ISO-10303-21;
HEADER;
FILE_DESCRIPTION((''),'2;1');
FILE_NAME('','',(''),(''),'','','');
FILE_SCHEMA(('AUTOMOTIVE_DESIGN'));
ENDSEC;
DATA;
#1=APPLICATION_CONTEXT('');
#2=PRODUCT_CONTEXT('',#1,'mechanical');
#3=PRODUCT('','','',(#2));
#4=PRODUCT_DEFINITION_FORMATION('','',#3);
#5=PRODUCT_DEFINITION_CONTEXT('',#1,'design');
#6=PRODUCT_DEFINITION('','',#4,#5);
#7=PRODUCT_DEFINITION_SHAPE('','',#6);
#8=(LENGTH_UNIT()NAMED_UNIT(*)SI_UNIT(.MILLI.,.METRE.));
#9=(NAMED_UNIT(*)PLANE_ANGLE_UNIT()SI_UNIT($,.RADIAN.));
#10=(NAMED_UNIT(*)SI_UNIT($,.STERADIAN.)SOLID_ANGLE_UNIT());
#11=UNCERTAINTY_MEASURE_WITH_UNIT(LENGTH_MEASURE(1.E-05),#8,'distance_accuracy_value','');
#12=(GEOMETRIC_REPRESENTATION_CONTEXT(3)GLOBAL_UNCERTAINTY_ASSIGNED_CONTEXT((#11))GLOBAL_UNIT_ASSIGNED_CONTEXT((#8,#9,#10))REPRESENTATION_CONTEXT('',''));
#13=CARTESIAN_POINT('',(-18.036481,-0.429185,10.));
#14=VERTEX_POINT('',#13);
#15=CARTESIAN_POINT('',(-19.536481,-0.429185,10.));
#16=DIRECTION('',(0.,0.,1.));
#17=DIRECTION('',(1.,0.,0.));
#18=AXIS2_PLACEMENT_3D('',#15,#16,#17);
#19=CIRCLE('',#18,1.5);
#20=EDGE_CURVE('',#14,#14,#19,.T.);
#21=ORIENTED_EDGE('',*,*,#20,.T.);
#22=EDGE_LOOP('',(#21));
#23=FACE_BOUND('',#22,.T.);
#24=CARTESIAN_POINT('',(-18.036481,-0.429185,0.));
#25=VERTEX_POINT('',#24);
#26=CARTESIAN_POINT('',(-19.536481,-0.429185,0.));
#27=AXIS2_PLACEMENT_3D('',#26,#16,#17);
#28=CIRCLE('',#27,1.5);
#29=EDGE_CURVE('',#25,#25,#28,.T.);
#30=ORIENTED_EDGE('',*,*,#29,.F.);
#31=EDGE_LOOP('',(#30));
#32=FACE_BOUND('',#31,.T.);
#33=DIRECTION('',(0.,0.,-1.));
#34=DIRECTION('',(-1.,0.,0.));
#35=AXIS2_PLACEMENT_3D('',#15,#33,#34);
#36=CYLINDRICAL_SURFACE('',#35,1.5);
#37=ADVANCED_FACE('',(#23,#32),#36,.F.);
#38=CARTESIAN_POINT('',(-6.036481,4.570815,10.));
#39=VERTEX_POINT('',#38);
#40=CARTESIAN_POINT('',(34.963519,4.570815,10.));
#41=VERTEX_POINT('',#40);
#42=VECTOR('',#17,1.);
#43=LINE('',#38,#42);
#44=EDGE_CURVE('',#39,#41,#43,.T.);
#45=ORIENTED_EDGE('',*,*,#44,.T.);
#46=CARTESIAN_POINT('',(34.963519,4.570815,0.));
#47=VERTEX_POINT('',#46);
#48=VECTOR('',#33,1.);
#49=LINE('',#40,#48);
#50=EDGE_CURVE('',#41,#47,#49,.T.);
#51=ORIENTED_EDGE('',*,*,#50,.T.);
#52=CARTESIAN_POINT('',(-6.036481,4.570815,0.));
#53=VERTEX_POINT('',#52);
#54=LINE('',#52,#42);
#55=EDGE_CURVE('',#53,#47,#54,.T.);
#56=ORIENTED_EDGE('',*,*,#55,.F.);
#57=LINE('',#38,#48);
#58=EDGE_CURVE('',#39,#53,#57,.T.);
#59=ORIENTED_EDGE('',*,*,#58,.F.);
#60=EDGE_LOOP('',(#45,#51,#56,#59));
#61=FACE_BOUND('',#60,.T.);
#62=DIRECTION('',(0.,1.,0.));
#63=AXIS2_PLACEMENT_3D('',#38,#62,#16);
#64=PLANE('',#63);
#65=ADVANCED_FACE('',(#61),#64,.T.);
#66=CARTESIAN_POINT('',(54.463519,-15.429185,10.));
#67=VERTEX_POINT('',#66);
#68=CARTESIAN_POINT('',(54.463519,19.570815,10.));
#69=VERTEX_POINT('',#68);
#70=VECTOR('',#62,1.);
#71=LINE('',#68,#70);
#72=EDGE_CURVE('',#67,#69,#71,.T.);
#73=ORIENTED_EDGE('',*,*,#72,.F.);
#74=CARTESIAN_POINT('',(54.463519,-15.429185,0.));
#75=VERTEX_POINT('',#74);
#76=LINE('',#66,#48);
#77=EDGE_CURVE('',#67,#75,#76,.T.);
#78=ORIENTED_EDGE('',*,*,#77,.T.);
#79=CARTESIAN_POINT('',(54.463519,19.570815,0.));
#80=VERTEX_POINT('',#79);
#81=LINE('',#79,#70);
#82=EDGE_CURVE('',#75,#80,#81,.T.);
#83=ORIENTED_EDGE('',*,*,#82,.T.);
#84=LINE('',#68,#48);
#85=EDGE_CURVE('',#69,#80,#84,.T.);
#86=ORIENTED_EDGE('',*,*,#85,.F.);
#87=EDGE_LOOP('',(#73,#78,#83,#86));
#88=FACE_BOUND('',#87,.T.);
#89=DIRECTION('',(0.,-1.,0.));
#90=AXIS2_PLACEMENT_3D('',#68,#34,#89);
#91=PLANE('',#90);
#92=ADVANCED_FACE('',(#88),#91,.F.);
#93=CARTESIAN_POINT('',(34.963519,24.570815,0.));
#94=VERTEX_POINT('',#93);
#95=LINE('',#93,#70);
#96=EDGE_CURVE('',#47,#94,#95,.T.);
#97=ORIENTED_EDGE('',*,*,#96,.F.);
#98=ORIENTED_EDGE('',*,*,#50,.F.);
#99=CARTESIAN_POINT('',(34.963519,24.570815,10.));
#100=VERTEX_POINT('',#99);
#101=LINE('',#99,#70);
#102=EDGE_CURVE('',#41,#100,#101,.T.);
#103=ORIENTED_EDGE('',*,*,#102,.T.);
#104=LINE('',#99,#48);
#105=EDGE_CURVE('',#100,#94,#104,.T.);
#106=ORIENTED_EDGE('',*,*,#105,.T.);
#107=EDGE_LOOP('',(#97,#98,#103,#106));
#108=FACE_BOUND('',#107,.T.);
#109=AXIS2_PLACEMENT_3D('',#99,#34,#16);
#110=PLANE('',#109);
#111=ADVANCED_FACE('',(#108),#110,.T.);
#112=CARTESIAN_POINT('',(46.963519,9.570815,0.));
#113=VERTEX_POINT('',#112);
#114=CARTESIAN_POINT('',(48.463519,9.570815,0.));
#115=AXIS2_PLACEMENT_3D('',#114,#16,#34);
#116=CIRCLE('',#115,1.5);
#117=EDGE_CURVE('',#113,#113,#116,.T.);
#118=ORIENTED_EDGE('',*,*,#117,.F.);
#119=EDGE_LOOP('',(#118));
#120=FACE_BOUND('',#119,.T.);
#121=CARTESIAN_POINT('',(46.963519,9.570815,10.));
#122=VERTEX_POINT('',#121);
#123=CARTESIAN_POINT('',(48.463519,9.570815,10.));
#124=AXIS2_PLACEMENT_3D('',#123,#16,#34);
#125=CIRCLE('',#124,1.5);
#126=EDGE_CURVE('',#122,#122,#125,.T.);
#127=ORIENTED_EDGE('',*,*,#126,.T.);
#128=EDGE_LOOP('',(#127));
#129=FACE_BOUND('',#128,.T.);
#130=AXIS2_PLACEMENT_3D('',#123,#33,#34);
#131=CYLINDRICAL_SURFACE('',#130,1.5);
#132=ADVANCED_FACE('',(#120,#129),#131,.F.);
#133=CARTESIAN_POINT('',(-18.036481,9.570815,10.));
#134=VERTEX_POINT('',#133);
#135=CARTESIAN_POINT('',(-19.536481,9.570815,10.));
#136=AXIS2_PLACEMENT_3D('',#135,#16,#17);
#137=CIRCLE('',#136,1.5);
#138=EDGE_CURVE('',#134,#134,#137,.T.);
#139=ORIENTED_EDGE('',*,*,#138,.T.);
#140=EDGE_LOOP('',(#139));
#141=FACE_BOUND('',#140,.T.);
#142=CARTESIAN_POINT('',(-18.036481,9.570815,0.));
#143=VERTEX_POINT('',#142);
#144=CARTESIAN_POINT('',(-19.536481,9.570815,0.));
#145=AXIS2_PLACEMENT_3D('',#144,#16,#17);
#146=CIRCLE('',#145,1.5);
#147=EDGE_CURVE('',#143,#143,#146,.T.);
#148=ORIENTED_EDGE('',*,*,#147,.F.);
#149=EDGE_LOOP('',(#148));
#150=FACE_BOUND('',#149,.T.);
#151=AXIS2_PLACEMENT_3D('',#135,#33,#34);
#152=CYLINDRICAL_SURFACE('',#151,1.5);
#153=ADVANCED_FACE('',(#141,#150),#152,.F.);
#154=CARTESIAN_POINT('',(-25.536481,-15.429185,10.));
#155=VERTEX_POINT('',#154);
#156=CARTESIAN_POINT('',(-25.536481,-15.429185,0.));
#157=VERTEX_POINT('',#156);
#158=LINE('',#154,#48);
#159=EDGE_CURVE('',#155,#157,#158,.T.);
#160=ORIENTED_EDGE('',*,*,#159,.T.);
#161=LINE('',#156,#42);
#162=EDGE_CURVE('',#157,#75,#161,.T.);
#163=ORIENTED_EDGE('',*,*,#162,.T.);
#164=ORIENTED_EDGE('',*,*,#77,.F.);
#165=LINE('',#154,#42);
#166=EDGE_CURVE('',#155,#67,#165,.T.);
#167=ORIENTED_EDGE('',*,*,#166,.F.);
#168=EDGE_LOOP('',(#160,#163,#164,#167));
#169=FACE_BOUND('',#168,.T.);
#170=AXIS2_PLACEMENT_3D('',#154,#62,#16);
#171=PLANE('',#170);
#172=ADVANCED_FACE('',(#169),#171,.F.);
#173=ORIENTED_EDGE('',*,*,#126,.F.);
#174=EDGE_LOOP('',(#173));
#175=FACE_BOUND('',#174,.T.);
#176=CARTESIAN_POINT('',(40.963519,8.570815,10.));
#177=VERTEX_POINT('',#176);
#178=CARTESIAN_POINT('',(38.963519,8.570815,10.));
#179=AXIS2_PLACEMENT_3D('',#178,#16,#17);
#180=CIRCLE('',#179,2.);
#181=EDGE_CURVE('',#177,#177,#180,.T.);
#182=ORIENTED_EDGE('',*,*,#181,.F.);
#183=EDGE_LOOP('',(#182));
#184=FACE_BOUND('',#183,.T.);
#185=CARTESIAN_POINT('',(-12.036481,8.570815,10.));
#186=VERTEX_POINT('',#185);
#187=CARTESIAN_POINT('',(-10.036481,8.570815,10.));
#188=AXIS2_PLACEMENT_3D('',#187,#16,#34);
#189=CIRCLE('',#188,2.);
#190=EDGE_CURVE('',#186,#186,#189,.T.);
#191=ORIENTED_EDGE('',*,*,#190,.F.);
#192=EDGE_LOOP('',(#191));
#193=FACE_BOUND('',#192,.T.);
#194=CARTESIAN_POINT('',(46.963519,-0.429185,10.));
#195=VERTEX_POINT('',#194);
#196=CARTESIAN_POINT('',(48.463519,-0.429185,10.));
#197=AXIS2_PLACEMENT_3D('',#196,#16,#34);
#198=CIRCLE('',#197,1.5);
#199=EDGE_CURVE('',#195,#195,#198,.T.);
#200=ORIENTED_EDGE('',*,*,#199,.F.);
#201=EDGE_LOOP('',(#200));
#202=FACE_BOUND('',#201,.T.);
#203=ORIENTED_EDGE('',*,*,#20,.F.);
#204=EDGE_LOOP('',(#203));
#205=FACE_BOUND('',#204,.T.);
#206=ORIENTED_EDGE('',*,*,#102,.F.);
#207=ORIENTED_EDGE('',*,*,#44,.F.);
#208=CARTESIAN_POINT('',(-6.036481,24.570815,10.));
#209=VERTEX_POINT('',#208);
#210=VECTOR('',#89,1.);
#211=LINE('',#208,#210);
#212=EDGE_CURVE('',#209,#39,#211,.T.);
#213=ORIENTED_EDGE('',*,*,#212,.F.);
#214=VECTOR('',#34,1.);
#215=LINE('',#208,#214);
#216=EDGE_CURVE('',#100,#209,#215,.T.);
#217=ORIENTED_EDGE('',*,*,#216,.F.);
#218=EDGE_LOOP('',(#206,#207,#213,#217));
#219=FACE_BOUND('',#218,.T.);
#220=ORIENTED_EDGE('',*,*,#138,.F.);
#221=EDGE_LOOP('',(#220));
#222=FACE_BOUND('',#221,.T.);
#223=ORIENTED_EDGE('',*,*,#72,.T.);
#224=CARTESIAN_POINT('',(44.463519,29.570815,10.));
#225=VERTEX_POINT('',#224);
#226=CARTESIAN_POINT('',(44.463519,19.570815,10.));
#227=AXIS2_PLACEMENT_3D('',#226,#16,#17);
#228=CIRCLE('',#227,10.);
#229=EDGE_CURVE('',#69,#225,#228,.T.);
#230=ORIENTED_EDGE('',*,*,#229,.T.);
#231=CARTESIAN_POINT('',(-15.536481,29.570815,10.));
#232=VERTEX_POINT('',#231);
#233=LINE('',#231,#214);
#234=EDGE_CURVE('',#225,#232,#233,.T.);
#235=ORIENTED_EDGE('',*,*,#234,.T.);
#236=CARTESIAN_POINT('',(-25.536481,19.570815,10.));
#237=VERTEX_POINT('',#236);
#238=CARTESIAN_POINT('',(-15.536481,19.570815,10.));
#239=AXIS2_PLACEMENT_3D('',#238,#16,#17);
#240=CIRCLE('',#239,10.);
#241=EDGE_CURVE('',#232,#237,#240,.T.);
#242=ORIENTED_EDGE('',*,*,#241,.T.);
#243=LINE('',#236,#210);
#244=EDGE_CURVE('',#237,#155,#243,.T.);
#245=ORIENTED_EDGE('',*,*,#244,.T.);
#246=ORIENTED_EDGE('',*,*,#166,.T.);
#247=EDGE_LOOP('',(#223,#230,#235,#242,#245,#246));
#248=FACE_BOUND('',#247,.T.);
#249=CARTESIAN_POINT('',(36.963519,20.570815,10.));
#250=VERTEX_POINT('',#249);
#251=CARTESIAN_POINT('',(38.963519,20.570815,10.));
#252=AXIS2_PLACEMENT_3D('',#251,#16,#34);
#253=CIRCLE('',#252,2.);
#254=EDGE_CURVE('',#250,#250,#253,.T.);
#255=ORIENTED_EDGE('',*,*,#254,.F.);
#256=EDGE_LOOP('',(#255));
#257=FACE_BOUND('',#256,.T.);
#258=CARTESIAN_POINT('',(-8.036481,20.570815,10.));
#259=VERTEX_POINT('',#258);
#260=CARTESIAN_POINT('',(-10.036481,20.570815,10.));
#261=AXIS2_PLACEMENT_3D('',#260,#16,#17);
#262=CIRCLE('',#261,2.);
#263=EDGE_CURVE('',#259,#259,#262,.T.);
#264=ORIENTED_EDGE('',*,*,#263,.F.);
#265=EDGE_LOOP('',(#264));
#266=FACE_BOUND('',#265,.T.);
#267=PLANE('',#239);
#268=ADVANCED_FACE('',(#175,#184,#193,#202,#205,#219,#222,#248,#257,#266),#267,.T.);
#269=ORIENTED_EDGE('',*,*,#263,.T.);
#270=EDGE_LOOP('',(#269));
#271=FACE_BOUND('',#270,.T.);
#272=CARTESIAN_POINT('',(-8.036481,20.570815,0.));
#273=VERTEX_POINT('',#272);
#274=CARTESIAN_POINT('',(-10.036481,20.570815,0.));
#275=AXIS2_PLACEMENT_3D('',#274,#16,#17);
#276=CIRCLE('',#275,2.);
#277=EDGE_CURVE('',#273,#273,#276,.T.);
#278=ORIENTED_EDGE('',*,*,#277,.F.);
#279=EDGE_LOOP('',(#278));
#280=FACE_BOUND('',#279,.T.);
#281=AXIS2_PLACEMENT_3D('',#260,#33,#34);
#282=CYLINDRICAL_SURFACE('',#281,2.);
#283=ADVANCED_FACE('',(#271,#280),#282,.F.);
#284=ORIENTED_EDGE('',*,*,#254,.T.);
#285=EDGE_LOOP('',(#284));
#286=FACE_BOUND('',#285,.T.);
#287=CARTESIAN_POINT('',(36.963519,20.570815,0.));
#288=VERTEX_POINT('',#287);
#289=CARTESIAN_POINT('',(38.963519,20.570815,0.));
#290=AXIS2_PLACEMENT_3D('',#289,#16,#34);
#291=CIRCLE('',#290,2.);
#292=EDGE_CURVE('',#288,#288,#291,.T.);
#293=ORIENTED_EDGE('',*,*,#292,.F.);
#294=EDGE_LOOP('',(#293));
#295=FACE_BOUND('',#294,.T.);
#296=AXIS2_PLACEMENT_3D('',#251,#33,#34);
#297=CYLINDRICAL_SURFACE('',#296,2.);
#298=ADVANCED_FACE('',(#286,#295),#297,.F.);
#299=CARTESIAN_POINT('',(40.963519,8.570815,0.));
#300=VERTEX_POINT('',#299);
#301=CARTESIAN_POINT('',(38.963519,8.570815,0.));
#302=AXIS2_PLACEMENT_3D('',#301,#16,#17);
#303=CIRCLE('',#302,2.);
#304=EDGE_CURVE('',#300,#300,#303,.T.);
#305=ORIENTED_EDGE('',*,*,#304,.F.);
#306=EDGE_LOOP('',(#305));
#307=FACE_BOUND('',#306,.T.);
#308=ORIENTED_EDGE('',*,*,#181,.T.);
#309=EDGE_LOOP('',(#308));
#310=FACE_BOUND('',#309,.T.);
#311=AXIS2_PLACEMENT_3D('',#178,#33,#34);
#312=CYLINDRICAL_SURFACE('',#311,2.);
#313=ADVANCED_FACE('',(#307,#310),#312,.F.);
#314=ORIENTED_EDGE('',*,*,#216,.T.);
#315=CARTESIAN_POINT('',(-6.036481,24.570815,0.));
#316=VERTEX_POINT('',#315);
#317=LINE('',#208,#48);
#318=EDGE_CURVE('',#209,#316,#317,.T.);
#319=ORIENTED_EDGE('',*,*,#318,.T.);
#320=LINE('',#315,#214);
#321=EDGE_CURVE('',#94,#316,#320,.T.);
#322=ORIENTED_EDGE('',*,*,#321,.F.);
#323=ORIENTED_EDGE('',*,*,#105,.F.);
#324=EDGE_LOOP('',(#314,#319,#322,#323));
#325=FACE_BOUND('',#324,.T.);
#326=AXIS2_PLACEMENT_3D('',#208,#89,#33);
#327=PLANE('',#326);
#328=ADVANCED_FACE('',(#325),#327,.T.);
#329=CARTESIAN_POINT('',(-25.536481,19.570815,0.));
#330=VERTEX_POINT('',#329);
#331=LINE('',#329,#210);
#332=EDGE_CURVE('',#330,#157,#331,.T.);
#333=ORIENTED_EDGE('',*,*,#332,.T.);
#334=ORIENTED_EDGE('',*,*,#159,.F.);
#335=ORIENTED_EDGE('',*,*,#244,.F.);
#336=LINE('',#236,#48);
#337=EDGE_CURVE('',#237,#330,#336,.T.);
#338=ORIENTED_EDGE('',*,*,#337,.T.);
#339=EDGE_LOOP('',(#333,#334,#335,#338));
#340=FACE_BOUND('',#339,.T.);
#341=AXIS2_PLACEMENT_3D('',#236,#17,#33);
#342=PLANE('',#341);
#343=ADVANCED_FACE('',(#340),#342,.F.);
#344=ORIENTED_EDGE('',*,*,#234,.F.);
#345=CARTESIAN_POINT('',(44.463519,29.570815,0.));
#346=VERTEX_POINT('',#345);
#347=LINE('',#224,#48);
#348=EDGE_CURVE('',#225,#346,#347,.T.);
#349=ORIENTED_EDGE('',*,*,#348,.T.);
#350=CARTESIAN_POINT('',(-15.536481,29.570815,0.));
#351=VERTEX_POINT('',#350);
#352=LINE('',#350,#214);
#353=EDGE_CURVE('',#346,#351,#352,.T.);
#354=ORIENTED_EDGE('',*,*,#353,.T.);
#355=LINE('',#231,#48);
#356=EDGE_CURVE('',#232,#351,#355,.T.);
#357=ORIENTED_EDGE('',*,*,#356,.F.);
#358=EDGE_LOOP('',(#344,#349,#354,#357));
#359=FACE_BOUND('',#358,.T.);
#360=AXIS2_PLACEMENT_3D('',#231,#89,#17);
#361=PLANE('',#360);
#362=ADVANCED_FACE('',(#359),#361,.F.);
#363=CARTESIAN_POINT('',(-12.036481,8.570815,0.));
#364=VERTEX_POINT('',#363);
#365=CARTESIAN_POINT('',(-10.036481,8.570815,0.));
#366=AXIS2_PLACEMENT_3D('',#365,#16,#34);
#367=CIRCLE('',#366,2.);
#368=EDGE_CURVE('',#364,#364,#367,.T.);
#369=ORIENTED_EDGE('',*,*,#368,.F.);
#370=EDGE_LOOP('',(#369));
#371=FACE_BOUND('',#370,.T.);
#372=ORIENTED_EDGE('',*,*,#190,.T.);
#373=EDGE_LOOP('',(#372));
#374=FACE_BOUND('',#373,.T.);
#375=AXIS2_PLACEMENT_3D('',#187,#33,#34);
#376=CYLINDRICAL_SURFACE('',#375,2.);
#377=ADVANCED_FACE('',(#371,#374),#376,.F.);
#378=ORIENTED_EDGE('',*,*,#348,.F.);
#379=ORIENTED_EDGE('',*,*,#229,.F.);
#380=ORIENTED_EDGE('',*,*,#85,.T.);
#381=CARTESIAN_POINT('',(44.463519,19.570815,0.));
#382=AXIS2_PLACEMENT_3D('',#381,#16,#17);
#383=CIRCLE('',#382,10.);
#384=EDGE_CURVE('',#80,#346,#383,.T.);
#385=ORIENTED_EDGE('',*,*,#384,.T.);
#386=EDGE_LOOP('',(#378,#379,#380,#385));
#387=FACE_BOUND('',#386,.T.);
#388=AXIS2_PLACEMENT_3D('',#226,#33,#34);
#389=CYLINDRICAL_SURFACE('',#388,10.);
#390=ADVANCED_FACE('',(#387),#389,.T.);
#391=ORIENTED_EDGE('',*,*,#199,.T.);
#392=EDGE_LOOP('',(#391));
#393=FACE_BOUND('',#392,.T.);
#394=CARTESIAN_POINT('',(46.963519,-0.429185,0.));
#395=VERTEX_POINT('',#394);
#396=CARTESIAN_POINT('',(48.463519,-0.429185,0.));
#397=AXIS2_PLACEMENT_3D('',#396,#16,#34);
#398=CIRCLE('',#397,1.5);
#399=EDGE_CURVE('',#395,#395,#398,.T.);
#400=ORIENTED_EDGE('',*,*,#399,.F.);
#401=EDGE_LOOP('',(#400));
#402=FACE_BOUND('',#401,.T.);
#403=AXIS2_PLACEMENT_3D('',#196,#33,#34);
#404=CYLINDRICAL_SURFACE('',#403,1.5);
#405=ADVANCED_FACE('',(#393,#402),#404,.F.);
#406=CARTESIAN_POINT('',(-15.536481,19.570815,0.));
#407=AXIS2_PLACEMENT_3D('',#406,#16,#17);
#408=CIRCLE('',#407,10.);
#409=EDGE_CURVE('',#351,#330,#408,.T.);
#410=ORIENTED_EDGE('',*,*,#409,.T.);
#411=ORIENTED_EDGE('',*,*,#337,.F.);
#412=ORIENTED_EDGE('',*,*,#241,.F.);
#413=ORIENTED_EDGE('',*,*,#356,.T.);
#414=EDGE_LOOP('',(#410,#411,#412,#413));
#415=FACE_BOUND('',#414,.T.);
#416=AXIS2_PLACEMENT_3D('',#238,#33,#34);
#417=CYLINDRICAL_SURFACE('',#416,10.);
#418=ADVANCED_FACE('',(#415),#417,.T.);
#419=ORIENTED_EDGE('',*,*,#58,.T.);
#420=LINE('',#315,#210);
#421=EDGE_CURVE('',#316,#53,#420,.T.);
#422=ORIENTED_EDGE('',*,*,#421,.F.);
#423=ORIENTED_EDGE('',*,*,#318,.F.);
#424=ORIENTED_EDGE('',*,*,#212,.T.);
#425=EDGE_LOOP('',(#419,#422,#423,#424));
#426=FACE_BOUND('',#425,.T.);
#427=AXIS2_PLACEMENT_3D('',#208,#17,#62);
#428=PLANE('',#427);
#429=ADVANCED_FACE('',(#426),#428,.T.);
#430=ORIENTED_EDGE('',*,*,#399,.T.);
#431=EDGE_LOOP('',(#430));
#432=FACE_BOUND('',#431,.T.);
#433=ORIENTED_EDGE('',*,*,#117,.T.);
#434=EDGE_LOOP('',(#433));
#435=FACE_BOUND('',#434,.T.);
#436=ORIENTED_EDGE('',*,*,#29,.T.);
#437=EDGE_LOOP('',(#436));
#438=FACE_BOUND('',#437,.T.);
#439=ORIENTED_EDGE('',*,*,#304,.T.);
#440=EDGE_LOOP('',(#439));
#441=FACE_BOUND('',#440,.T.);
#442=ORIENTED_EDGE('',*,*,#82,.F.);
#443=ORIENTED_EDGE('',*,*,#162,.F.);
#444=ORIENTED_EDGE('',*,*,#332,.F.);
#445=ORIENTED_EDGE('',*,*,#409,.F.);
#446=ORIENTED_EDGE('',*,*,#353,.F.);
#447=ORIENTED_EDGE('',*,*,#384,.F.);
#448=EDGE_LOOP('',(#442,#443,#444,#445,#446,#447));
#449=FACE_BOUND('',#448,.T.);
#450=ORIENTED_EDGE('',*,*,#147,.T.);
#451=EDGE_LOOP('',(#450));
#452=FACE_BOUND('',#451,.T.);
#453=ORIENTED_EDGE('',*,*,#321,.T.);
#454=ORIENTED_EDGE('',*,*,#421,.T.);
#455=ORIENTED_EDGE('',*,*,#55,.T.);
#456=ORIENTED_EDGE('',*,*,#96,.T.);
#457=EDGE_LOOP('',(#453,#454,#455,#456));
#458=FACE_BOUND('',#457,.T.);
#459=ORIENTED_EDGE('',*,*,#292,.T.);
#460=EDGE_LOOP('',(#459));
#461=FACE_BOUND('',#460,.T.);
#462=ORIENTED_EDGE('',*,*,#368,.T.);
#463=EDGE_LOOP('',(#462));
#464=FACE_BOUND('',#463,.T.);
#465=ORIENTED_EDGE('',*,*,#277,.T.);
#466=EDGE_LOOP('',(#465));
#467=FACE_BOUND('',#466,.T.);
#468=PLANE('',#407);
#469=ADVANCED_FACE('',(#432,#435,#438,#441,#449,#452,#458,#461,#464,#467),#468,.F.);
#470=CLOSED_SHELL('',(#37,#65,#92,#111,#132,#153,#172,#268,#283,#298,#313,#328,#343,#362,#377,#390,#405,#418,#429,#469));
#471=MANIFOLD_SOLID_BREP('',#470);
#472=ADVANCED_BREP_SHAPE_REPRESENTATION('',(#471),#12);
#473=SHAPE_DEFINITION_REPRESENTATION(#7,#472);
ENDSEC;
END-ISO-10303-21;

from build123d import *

# Parameters (mm, degrees)
SKETCH1_R           = 2
SKETCH1_R_2         = 1.5
SKETCH1_W           = 41
SKETCH1_H           = 20
BOSS_EXTRUDE1_DEPTH = 10


with BuildPart() as part:
    # Sketch1 → Boss-Extrude1 (new body)
    with BuildSketch(Plane.XY):
        with BuildLine():
            Line((-15.536480687, 29.570815451), (44.463519313, 29.570815451))
            ThreePointArc((44.463519313, 29.570815451), (51.534587125, 26.641883263), (54.463519313, 19.570815451))
            Line((54.463519313, 19.570815451), (54.463519313, -15.429184549))
            Line((54.463519313, -15.429184549), (-25.536480687, -15.429184549))
            Line((-25.536480687, -15.429184549), (-25.536480687, 19.570815451))
            ThreePointArc((-25.536480687, 19.570815451), (-22.607548499, 26.641883263), (-15.536480687, 29.570815451))
        make_face()
        with Locations((-10.036480687, 20.570815451)):
            Circle(SKETCH1_R, mode=Mode.SUBTRACT)
        with Locations((38.963519313, 8.570815451)):
            Circle(SKETCH1_R, mode=Mode.SUBTRACT)
        with Locations(Location((-10.036480687, 8.570815451, 0), (0, 0, 180))):
            Circle(SKETCH1_R, mode=Mode.SUBTRACT)
        with Locations(Location((38.963519313, 20.570815451, 0), (0, 0, 180))):
            Circle(SKETCH1_R, mode=Mode.SUBTRACT)
        with Locations((-19.536480687, -0.429184549)):
            Circle(SKETCH1_R_2, mode=Mode.SUBTRACT)
        with Locations((-19.536480687, 9.570815451)):
            Circle(SKETCH1_R_2, mode=Mode.SUBTRACT)
        with Locations(Location((48.463519313, 9.570815451, 0), (0, 0, 180))):
            Circle(SKETCH1_R_2, mode=Mode.SUBTRACT)
        with Locations(Location((48.463519313, -0.429184549, 0), (0, 0, 180))):
            Circle(SKETCH1_R_2, mode=Mode.SUBTRACT)
        with Locations((14.463519313, 14.570815451)):
            Rectangle(SKETCH1_W, SKETCH1_H, mode=Mode.SUBTRACT)
    extrude(amount=BOSS_EXTRUDE1_DEPTH)


solid = part.part
